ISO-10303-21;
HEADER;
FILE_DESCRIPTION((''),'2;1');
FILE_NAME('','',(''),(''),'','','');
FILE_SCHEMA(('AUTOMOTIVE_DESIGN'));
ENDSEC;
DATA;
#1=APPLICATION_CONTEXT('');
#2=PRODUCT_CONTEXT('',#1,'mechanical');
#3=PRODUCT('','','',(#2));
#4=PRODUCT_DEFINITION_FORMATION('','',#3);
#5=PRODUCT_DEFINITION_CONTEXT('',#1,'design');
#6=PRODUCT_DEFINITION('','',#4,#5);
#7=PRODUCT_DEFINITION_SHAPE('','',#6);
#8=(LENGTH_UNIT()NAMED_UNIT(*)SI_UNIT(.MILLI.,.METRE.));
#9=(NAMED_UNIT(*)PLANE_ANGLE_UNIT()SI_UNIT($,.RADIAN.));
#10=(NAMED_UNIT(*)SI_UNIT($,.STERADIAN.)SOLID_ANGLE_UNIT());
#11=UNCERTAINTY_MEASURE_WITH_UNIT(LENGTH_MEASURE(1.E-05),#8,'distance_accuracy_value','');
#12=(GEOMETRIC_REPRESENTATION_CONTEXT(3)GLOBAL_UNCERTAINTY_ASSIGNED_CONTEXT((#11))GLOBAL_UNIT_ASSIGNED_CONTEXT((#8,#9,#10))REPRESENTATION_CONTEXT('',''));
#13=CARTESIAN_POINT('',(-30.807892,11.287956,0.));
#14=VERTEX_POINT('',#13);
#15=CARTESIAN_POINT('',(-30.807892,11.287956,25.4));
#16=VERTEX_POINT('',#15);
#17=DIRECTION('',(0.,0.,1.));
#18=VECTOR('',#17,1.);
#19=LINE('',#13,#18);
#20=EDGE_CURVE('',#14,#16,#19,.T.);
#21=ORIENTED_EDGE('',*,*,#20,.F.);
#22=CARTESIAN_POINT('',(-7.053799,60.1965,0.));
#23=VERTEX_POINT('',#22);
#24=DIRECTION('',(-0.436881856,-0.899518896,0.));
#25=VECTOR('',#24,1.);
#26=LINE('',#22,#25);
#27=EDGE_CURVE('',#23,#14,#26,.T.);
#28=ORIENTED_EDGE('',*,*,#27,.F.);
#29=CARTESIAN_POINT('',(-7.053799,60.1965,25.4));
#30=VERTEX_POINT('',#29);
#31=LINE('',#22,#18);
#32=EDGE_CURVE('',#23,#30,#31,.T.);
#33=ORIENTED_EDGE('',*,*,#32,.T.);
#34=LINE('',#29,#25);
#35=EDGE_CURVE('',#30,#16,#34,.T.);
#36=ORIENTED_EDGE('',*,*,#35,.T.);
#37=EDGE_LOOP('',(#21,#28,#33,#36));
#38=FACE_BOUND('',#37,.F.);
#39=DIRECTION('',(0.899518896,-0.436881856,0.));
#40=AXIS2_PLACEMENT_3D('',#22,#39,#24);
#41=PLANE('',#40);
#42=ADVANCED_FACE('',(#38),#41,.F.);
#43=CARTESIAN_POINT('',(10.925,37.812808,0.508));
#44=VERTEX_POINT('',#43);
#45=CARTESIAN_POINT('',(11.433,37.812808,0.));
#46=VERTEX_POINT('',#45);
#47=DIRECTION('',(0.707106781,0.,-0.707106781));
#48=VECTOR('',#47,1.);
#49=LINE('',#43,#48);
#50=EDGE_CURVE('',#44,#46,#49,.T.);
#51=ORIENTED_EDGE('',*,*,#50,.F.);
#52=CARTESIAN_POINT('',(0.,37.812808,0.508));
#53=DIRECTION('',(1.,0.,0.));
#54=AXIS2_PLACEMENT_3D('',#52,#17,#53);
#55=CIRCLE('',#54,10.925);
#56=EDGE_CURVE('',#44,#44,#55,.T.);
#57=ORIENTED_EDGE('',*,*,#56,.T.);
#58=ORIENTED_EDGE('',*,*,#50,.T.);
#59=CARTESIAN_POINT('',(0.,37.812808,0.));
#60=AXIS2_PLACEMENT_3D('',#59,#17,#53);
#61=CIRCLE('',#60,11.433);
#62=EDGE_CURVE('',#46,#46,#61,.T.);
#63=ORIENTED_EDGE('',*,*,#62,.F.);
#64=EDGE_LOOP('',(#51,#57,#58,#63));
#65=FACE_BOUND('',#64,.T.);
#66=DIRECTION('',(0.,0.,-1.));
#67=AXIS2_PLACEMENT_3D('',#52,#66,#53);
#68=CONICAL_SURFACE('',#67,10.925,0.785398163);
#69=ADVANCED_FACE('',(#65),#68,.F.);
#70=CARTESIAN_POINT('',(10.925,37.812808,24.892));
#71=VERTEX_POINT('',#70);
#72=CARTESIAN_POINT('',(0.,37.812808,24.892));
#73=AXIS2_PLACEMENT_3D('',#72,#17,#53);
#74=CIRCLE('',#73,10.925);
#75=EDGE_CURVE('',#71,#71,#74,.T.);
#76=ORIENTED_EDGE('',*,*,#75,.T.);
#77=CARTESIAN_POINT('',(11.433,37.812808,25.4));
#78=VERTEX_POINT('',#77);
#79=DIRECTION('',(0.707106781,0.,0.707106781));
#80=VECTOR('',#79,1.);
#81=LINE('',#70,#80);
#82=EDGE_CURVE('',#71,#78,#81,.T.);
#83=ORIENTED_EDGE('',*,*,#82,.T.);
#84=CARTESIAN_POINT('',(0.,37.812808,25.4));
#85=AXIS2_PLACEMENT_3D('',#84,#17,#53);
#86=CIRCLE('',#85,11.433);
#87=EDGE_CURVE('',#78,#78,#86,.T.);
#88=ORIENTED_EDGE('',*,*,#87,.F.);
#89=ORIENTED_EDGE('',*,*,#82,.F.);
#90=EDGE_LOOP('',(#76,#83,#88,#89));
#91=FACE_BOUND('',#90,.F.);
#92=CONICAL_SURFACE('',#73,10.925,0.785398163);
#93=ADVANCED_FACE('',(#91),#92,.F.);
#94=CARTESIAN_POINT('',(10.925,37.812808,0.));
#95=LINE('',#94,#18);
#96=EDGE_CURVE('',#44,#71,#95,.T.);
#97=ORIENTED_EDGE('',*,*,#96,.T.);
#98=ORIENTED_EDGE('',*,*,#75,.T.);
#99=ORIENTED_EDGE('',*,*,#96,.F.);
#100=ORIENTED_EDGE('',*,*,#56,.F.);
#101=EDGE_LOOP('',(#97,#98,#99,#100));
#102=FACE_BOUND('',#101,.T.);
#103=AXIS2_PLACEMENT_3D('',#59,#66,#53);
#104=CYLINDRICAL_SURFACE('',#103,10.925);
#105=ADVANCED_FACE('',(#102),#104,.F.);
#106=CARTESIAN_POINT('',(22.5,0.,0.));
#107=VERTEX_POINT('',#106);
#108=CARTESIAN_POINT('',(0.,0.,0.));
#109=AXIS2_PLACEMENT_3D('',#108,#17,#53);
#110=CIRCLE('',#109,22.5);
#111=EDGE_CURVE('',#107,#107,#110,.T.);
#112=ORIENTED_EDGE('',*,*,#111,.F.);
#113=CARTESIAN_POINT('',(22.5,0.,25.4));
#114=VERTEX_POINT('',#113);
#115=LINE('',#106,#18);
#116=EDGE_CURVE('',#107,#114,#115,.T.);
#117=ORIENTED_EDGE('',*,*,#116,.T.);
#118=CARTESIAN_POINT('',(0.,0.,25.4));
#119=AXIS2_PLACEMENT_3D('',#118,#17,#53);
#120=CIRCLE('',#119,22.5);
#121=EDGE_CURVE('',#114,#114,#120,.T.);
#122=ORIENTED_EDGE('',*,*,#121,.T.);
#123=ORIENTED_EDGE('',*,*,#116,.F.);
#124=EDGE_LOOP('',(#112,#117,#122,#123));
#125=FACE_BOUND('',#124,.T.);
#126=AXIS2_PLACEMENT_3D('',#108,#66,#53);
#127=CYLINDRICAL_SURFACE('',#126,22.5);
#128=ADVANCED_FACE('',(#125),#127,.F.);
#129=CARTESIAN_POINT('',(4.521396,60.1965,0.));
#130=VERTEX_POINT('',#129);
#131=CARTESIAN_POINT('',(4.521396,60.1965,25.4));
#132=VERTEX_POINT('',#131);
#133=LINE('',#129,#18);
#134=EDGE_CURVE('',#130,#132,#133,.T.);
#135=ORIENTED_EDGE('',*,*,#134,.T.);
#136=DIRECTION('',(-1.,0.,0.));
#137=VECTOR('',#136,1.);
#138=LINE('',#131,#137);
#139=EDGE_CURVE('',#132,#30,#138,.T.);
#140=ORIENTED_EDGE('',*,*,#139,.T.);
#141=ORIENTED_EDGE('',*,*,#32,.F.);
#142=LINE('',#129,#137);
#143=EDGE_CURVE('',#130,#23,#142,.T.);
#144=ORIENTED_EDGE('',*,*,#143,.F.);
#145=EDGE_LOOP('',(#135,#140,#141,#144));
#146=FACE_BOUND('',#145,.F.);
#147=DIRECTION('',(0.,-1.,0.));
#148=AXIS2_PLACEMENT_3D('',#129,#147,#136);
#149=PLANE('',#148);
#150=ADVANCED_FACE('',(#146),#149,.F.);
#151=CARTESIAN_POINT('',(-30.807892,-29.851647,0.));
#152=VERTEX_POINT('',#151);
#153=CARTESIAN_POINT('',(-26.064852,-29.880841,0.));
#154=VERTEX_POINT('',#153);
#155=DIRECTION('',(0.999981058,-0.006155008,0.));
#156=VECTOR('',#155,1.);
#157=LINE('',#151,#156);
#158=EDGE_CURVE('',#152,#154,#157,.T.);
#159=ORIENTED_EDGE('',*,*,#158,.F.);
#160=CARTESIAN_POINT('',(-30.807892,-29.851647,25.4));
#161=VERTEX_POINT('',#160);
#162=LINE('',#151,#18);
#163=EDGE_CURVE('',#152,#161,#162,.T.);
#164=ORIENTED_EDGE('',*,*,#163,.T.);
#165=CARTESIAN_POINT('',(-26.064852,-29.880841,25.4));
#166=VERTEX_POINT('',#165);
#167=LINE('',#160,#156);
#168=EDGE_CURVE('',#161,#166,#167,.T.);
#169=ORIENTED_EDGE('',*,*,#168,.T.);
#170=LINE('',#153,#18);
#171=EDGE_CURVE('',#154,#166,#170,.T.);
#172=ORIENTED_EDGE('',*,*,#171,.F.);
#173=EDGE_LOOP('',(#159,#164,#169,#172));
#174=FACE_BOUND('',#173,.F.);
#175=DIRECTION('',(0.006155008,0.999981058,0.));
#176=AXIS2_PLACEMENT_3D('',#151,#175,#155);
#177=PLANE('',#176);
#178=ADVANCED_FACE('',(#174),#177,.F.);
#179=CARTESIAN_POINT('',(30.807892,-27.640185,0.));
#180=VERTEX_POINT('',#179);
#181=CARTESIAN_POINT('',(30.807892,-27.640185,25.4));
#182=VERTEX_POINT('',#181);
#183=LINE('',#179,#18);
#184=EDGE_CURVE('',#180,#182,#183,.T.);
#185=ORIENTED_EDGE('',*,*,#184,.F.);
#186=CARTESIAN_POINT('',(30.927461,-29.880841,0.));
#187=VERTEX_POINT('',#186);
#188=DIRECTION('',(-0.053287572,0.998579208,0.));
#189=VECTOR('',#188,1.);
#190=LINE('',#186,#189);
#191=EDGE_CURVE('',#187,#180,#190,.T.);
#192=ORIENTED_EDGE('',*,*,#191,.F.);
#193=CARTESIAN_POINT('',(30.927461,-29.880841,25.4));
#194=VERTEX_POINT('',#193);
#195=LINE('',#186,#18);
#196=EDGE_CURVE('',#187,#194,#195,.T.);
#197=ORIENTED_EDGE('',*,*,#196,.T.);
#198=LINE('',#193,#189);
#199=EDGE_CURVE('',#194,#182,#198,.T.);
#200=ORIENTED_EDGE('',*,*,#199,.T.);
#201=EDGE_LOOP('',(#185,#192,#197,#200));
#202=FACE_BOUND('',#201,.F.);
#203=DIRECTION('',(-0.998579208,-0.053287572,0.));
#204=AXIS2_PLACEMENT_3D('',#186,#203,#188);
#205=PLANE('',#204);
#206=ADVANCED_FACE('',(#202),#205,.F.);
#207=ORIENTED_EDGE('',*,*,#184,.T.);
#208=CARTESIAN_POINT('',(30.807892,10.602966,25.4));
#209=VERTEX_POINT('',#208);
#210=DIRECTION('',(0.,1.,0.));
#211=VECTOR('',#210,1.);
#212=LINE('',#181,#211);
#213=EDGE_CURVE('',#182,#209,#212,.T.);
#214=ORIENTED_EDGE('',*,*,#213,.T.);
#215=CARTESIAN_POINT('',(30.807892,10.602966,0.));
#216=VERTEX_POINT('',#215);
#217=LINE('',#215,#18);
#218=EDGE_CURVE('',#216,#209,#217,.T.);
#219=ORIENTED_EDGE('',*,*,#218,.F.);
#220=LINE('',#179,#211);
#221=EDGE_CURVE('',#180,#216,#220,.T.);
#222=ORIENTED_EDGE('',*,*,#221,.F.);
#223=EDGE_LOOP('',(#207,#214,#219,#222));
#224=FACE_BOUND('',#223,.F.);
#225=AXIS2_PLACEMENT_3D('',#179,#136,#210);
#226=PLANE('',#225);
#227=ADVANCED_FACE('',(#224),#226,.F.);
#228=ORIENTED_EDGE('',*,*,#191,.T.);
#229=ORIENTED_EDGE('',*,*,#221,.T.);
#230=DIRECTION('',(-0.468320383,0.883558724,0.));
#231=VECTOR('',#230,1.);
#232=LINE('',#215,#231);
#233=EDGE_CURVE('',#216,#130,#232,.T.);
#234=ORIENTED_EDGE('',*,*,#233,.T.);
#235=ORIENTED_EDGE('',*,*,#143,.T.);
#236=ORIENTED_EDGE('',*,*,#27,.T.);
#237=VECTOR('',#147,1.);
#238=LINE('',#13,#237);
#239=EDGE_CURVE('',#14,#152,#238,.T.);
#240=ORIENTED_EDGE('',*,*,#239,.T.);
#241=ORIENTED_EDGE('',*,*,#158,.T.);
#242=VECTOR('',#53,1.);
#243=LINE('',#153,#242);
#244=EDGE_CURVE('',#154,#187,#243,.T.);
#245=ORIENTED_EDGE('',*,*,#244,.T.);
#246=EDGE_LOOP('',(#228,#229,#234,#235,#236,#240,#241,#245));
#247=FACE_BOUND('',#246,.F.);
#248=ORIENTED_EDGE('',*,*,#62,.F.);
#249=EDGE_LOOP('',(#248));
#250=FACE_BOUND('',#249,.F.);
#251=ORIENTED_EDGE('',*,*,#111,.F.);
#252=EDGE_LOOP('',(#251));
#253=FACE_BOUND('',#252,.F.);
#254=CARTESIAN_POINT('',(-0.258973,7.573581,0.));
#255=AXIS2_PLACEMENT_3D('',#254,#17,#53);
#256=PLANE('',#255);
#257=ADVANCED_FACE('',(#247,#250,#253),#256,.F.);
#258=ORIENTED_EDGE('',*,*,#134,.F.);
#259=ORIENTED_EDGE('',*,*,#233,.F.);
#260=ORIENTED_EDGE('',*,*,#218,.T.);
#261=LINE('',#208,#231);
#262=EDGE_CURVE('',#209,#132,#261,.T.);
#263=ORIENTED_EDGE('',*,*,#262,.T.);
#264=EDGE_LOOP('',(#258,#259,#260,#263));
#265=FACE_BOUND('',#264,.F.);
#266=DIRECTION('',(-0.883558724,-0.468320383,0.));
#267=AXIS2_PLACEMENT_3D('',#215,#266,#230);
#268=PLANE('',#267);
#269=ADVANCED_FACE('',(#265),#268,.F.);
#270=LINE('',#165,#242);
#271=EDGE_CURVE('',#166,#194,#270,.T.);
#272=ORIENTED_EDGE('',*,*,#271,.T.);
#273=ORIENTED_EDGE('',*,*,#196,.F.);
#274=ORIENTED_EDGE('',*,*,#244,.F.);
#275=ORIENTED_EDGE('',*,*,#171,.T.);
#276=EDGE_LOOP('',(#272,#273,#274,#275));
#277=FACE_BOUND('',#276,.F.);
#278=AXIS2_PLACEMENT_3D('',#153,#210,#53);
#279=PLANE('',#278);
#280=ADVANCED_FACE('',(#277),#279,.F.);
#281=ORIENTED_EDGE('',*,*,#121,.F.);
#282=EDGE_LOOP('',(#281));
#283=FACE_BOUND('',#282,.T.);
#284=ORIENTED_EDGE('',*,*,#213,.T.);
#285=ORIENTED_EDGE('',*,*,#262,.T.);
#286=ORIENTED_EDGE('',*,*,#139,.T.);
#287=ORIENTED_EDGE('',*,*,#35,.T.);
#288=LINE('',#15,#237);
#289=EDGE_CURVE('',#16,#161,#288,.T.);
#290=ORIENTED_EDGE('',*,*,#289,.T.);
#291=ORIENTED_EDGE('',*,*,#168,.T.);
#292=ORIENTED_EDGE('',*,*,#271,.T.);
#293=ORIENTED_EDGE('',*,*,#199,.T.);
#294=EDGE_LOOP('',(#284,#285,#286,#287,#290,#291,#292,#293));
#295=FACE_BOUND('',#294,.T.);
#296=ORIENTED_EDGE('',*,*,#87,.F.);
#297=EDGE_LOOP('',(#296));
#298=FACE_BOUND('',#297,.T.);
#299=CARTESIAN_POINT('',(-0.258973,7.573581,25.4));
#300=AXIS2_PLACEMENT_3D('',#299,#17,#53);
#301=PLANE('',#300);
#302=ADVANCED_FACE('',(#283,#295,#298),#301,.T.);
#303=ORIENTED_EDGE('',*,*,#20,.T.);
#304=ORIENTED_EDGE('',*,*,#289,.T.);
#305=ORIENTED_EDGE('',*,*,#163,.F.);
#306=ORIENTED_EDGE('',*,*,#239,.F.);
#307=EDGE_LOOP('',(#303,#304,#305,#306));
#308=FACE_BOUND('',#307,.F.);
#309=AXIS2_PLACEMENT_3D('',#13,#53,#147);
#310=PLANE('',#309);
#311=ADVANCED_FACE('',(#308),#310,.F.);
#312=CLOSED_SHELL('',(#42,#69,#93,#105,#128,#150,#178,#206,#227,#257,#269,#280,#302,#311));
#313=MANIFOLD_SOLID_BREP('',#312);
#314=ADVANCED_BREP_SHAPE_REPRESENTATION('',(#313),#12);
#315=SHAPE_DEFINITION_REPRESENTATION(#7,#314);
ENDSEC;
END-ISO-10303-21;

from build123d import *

# Parameters (mm, degrees)
F0_R     = 22.5
F0_R_2   = 10.925
F1_DEPTH = 25.4
F2_SIZE  = 0.508
F3_SIZE  = 0.508


with BuildPart() as f1:
    # F0 (on Top) → F1 (new body)
    with BuildSketch(Plane.XY):
        Polygon((30.807892, 10.602966), (4.521396, 60.1965), (-7.053799, 60.1965), (-30.807892, 11.287956), (-30.807892, -23.549838), (-30.807892, -29.851647), (-26.064852, -29.880841), (30.927461, -29.880841), (30.807892, -27.640185), align=None)
        Circle(F0_R, mode=Mode.SUBTRACT)
        with Locations((0, 37.812808)):
            Circle(F0_R_2, mode=Mode.SUBTRACT)
    extrude(amount=F1_DEPTH)

    # F2
    f2_edges = [f1.edges().sort_by_distance(p)[0] for p in [
        (-10.925, 37.812808, 0),
    ]]
    chamfer(f2_edges, length=F2_SIZE)

    # F3
    f3_edges = [f1.edges().sort_by_distance(p)[0] for p in [
        (-10.925, 37.812808, 25.4),
    ]]
    chamfer(f3_edges, length=F3_SIZE)


solid = f1.part
